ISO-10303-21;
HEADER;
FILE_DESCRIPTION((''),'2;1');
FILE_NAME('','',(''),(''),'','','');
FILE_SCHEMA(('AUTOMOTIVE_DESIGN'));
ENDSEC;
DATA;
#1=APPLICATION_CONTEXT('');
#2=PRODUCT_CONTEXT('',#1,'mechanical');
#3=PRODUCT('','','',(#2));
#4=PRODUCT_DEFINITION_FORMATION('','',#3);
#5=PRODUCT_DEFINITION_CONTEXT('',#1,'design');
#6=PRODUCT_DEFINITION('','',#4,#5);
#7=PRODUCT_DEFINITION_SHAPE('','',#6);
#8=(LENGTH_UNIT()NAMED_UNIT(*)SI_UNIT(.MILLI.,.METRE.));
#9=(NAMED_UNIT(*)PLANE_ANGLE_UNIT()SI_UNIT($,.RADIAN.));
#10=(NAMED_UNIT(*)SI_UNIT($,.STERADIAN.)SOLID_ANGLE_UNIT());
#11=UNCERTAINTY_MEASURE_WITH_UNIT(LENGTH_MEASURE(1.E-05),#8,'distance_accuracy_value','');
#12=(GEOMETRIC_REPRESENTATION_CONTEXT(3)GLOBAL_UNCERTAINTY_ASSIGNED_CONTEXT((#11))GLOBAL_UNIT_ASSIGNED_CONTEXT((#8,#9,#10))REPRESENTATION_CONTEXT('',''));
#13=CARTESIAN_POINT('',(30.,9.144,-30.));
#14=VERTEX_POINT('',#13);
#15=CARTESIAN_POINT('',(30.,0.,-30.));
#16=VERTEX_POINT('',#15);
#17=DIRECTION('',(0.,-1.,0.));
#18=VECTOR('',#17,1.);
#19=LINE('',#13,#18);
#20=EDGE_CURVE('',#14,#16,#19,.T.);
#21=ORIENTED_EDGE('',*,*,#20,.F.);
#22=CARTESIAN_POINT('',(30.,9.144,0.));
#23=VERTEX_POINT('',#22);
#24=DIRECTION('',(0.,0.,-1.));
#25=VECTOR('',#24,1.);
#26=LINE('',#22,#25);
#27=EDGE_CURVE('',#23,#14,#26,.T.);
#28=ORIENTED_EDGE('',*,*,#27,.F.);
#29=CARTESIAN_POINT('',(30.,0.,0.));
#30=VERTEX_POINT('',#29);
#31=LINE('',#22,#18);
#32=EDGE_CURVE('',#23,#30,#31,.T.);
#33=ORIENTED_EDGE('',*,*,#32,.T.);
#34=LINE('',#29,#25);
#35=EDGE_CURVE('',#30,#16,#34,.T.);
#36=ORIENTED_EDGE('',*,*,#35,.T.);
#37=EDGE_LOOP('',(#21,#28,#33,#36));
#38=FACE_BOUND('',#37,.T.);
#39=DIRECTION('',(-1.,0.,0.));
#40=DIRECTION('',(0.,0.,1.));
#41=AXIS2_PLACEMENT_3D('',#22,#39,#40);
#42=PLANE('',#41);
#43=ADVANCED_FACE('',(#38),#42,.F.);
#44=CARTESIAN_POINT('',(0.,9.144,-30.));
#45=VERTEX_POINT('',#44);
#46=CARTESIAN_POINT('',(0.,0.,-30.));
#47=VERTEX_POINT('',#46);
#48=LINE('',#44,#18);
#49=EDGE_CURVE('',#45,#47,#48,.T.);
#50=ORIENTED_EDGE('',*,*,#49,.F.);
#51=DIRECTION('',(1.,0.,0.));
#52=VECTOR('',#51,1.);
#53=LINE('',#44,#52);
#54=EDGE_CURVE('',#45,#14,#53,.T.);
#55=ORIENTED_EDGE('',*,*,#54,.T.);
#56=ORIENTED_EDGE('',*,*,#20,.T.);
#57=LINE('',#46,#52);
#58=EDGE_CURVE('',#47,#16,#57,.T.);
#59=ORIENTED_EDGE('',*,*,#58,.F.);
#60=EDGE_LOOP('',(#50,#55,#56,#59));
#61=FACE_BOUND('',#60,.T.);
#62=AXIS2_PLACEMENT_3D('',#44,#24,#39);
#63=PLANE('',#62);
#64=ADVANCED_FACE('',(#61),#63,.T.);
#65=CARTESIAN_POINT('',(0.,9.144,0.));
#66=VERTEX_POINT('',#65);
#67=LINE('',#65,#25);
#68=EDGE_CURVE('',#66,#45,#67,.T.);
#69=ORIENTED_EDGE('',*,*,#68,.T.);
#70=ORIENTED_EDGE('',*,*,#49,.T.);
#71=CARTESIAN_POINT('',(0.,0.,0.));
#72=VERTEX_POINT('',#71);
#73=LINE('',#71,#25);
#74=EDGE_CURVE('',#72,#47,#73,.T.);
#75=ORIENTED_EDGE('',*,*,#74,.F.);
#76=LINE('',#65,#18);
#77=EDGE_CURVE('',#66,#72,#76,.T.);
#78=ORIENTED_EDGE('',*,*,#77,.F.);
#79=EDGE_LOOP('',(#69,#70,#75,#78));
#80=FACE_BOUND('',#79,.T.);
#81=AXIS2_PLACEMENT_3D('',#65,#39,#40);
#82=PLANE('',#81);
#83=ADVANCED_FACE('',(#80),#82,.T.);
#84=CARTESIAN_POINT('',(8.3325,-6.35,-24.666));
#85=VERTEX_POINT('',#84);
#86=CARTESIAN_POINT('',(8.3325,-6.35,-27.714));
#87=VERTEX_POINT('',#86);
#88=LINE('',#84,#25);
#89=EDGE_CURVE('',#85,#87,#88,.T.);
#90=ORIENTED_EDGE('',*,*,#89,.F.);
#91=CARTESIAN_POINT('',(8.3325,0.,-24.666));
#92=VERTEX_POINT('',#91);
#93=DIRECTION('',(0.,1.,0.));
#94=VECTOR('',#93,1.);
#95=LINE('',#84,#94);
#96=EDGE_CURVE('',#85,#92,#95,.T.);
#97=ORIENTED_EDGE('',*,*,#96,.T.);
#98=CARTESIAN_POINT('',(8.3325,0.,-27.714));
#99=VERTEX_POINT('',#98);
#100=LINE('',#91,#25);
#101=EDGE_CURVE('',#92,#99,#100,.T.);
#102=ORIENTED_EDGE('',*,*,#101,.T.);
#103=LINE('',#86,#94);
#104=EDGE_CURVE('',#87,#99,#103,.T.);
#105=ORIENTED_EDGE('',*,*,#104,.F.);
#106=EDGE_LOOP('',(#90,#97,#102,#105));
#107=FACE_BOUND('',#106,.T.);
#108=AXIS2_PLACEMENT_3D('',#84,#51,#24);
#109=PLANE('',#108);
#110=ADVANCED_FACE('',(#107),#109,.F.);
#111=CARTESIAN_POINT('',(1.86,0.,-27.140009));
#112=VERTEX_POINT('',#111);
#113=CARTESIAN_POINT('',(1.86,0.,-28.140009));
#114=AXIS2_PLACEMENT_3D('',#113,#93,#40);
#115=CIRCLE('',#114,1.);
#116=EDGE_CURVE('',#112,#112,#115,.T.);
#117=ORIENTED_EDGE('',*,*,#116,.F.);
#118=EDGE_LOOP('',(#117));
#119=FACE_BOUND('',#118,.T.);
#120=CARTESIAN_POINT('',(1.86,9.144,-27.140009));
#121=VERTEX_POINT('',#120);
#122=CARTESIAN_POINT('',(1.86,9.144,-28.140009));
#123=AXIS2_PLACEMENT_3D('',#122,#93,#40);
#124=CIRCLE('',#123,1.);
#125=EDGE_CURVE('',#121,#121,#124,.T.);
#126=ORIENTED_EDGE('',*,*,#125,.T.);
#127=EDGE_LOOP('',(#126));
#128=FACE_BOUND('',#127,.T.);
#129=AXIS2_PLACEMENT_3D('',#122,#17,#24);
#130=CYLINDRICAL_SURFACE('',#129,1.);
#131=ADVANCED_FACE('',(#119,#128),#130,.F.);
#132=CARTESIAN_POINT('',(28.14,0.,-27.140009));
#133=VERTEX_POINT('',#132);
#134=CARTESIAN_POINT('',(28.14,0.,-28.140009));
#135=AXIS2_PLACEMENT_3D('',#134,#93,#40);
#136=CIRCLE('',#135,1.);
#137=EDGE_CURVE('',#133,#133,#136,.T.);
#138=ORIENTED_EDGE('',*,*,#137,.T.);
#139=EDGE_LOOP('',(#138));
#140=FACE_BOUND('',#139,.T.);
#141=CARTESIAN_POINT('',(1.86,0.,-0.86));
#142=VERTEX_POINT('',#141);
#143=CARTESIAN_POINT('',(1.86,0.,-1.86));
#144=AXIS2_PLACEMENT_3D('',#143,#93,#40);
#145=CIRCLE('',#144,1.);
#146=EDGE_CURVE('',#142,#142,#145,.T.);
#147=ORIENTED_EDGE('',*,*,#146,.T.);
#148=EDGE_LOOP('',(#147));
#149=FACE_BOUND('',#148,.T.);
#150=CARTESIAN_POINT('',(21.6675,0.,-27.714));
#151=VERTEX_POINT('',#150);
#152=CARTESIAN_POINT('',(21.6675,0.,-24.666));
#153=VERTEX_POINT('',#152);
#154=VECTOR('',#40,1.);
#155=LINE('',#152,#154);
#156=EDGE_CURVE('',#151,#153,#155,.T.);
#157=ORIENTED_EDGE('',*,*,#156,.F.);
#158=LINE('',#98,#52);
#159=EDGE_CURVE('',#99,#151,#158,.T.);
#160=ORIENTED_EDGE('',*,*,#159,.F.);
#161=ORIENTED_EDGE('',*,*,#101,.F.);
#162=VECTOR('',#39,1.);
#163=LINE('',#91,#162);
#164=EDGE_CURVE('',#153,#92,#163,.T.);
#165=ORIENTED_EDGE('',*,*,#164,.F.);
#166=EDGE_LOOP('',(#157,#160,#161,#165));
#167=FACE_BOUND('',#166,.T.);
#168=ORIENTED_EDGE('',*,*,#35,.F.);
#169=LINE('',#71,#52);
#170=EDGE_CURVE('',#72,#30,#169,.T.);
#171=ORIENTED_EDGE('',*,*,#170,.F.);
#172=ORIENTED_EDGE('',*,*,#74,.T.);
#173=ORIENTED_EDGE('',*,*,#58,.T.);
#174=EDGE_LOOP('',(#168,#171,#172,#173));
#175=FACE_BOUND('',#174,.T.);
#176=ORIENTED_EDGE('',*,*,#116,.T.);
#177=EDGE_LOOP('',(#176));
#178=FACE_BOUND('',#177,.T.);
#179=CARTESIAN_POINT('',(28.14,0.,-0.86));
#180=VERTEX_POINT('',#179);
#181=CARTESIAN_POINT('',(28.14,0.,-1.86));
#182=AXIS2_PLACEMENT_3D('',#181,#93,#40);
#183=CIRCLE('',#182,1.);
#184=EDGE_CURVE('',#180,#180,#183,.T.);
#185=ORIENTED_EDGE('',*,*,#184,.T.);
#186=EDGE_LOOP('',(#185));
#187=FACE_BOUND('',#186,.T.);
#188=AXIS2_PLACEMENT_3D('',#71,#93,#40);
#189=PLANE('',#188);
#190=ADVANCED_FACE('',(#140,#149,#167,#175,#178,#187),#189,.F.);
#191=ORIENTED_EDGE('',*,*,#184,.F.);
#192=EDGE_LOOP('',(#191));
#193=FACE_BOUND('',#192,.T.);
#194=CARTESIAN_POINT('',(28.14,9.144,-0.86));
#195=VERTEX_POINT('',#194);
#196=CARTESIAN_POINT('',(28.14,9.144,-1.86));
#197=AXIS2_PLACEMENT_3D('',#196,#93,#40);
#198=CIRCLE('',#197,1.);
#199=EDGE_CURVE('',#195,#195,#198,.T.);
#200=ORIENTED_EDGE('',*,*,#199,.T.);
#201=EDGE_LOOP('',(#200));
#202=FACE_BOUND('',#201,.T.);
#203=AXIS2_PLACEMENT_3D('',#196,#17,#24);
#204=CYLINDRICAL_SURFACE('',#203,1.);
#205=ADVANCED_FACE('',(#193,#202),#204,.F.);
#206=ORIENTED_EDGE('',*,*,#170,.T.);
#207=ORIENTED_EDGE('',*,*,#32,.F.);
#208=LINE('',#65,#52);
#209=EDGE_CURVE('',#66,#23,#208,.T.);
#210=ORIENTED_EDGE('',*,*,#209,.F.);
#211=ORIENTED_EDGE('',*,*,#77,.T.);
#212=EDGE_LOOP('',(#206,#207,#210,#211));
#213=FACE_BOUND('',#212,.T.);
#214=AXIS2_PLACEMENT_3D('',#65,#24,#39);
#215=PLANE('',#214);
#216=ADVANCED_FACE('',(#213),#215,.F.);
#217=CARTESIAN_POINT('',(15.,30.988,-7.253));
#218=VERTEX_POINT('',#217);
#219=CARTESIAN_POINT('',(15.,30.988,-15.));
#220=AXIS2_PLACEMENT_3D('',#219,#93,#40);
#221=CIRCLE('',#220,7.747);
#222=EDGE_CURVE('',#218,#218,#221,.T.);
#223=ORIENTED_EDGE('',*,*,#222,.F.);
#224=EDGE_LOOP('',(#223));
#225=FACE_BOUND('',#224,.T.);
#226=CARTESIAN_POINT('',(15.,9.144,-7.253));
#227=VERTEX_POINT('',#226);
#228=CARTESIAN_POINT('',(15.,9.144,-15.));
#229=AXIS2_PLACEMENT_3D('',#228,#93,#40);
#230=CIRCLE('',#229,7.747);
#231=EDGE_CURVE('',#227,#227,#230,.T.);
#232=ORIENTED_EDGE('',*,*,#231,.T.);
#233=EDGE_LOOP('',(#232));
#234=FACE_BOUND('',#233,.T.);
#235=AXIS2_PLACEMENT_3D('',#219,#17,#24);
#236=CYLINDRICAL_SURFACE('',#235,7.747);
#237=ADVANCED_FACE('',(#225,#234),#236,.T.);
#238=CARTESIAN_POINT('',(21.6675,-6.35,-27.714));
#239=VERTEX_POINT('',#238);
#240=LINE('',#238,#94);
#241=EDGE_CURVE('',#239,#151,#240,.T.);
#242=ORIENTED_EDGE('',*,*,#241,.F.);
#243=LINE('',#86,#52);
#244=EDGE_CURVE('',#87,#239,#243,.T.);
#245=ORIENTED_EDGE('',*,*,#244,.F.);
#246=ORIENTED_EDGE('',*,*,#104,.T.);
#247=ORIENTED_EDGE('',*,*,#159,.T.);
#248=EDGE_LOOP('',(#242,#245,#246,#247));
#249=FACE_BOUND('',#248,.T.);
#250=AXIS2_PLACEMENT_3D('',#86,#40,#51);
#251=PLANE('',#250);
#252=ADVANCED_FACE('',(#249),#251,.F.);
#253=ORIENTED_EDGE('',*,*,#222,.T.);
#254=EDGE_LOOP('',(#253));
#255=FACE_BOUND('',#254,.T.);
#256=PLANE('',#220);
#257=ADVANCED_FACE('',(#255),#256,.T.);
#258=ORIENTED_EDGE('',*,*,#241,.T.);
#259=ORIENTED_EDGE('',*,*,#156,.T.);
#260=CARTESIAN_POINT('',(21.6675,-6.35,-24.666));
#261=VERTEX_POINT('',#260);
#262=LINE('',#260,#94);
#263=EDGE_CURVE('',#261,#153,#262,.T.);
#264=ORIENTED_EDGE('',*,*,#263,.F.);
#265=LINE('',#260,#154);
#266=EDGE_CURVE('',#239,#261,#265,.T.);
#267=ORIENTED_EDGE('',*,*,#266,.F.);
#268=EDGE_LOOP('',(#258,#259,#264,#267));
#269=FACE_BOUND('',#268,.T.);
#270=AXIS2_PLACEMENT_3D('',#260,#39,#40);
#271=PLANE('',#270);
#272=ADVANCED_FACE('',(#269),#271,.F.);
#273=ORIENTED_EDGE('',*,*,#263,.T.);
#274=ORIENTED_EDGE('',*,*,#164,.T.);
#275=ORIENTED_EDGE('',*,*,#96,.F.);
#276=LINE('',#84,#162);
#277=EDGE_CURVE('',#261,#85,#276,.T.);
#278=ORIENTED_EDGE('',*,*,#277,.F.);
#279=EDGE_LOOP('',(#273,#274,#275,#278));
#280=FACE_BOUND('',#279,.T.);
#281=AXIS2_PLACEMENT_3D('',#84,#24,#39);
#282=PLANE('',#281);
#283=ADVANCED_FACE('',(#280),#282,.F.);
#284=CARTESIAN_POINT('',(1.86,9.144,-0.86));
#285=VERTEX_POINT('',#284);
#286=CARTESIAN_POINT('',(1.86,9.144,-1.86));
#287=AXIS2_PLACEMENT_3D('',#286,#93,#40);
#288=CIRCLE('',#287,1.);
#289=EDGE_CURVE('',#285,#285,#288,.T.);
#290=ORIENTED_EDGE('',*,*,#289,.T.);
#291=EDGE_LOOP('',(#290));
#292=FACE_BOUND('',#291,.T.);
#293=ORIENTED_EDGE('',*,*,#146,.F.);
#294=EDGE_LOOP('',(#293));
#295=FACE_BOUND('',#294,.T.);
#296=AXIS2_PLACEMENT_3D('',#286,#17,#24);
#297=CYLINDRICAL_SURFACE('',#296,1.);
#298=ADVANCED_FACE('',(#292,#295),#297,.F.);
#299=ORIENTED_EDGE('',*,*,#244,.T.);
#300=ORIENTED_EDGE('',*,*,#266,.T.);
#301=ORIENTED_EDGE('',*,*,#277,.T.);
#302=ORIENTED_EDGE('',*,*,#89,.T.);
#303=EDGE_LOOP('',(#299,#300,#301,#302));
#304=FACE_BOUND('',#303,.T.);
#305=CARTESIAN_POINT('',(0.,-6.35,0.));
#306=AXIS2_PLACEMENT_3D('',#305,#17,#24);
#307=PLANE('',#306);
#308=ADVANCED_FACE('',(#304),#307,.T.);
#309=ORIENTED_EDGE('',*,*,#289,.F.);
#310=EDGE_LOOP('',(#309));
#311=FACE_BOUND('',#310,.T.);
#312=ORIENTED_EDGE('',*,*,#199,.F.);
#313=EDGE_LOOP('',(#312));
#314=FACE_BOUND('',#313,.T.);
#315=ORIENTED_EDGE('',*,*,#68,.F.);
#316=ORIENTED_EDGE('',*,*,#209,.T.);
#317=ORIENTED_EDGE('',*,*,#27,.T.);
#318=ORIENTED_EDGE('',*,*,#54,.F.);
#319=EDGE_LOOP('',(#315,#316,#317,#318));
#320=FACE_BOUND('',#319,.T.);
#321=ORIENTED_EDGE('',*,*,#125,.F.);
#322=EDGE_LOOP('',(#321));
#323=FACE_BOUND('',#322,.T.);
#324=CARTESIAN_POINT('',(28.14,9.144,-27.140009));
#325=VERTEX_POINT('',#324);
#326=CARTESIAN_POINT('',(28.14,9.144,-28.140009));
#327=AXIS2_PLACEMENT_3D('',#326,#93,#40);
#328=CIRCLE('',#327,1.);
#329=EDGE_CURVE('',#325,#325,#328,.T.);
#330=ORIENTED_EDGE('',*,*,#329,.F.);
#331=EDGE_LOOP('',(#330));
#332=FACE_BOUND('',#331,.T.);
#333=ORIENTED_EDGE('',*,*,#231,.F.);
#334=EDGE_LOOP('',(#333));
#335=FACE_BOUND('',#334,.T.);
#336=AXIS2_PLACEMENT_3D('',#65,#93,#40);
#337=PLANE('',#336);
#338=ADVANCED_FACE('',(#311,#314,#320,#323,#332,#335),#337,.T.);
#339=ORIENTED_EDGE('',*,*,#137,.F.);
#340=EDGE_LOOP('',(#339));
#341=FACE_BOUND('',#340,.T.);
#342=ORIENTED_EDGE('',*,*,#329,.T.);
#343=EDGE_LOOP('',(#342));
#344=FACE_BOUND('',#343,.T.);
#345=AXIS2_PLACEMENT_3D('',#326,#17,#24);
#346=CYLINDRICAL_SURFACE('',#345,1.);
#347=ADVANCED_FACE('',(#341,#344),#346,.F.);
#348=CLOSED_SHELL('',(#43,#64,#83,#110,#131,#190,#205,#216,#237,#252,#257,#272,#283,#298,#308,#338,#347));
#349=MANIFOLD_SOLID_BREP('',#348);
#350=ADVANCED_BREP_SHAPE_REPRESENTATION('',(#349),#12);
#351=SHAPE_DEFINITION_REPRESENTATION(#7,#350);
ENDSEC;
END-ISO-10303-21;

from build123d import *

# Parameters (mm, degrees)
SKETCH1_W           = 30
SKETCH1_H           = 30
SKETCH1_R           = 1
BOSS_EXTRUDE1_DEPTH = 9.144
SKETCH2_R           = 7.747
BOSS_EXTRUDE2_DEPTH = 21.844
SKETCH3_W           = 13.335
SKETCH3_H           = 3.048
BOSS_EXTRUDE3_DEPTH = 6.35


with BuildPart() as part:
    # Sketch1 → Boss-Extrude1 (new body)
    with BuildSketch(Plane(origin=(0, 0, 0), x_dir=(1, 0, 0), z_dir=(0, 1, 0))):
        with Locations((15, 15)):
            Rectangle(SKETCH1_W, SKETCH1_H)
        with Locations((28.14, 1.86)):
            Circle(SKETCH1_R, mode=Mode.SUBTRACT)
        with Locations((28.14, 28.1400088)):
            Circle(SKETCH1_R, mode=Mode.SUBTRACT)
        with Locations((1.86, 28.1400088)):
            Circle(SKETCH1_R, mode=Mode.SUBTRACT)
        with Locations((1.86, 1.86)):
            Circle(SKETCH1_R, mode=Mode.SUBTRACT)
    extrude(amount=BOSS_EXTRUDE1_DEPTH)

    # Sketch2 → Boss-Extrude2 (add)
    with BuildSketch(Plane(origin=(0, 9.144, 0), x_dir=(1, 0, 0), z_dir=(0, 1, 0))):
        with Locations((15, 15)):
            Circle(SKETCH2_R)
    extrude(amount=BOSS_EXTRUDE2_DEPTH)

    # Sketch3 → Boss-Extrude3 (add)
    with BuildSketch(Plane.XZ):
        with Locations((15, -26.19)):
            Rectangle(SKETCH3_W, SKETCH3_H)
    extrude(amount=BOSS_EXTRUDE3_DEPTH)


solid = part.part
